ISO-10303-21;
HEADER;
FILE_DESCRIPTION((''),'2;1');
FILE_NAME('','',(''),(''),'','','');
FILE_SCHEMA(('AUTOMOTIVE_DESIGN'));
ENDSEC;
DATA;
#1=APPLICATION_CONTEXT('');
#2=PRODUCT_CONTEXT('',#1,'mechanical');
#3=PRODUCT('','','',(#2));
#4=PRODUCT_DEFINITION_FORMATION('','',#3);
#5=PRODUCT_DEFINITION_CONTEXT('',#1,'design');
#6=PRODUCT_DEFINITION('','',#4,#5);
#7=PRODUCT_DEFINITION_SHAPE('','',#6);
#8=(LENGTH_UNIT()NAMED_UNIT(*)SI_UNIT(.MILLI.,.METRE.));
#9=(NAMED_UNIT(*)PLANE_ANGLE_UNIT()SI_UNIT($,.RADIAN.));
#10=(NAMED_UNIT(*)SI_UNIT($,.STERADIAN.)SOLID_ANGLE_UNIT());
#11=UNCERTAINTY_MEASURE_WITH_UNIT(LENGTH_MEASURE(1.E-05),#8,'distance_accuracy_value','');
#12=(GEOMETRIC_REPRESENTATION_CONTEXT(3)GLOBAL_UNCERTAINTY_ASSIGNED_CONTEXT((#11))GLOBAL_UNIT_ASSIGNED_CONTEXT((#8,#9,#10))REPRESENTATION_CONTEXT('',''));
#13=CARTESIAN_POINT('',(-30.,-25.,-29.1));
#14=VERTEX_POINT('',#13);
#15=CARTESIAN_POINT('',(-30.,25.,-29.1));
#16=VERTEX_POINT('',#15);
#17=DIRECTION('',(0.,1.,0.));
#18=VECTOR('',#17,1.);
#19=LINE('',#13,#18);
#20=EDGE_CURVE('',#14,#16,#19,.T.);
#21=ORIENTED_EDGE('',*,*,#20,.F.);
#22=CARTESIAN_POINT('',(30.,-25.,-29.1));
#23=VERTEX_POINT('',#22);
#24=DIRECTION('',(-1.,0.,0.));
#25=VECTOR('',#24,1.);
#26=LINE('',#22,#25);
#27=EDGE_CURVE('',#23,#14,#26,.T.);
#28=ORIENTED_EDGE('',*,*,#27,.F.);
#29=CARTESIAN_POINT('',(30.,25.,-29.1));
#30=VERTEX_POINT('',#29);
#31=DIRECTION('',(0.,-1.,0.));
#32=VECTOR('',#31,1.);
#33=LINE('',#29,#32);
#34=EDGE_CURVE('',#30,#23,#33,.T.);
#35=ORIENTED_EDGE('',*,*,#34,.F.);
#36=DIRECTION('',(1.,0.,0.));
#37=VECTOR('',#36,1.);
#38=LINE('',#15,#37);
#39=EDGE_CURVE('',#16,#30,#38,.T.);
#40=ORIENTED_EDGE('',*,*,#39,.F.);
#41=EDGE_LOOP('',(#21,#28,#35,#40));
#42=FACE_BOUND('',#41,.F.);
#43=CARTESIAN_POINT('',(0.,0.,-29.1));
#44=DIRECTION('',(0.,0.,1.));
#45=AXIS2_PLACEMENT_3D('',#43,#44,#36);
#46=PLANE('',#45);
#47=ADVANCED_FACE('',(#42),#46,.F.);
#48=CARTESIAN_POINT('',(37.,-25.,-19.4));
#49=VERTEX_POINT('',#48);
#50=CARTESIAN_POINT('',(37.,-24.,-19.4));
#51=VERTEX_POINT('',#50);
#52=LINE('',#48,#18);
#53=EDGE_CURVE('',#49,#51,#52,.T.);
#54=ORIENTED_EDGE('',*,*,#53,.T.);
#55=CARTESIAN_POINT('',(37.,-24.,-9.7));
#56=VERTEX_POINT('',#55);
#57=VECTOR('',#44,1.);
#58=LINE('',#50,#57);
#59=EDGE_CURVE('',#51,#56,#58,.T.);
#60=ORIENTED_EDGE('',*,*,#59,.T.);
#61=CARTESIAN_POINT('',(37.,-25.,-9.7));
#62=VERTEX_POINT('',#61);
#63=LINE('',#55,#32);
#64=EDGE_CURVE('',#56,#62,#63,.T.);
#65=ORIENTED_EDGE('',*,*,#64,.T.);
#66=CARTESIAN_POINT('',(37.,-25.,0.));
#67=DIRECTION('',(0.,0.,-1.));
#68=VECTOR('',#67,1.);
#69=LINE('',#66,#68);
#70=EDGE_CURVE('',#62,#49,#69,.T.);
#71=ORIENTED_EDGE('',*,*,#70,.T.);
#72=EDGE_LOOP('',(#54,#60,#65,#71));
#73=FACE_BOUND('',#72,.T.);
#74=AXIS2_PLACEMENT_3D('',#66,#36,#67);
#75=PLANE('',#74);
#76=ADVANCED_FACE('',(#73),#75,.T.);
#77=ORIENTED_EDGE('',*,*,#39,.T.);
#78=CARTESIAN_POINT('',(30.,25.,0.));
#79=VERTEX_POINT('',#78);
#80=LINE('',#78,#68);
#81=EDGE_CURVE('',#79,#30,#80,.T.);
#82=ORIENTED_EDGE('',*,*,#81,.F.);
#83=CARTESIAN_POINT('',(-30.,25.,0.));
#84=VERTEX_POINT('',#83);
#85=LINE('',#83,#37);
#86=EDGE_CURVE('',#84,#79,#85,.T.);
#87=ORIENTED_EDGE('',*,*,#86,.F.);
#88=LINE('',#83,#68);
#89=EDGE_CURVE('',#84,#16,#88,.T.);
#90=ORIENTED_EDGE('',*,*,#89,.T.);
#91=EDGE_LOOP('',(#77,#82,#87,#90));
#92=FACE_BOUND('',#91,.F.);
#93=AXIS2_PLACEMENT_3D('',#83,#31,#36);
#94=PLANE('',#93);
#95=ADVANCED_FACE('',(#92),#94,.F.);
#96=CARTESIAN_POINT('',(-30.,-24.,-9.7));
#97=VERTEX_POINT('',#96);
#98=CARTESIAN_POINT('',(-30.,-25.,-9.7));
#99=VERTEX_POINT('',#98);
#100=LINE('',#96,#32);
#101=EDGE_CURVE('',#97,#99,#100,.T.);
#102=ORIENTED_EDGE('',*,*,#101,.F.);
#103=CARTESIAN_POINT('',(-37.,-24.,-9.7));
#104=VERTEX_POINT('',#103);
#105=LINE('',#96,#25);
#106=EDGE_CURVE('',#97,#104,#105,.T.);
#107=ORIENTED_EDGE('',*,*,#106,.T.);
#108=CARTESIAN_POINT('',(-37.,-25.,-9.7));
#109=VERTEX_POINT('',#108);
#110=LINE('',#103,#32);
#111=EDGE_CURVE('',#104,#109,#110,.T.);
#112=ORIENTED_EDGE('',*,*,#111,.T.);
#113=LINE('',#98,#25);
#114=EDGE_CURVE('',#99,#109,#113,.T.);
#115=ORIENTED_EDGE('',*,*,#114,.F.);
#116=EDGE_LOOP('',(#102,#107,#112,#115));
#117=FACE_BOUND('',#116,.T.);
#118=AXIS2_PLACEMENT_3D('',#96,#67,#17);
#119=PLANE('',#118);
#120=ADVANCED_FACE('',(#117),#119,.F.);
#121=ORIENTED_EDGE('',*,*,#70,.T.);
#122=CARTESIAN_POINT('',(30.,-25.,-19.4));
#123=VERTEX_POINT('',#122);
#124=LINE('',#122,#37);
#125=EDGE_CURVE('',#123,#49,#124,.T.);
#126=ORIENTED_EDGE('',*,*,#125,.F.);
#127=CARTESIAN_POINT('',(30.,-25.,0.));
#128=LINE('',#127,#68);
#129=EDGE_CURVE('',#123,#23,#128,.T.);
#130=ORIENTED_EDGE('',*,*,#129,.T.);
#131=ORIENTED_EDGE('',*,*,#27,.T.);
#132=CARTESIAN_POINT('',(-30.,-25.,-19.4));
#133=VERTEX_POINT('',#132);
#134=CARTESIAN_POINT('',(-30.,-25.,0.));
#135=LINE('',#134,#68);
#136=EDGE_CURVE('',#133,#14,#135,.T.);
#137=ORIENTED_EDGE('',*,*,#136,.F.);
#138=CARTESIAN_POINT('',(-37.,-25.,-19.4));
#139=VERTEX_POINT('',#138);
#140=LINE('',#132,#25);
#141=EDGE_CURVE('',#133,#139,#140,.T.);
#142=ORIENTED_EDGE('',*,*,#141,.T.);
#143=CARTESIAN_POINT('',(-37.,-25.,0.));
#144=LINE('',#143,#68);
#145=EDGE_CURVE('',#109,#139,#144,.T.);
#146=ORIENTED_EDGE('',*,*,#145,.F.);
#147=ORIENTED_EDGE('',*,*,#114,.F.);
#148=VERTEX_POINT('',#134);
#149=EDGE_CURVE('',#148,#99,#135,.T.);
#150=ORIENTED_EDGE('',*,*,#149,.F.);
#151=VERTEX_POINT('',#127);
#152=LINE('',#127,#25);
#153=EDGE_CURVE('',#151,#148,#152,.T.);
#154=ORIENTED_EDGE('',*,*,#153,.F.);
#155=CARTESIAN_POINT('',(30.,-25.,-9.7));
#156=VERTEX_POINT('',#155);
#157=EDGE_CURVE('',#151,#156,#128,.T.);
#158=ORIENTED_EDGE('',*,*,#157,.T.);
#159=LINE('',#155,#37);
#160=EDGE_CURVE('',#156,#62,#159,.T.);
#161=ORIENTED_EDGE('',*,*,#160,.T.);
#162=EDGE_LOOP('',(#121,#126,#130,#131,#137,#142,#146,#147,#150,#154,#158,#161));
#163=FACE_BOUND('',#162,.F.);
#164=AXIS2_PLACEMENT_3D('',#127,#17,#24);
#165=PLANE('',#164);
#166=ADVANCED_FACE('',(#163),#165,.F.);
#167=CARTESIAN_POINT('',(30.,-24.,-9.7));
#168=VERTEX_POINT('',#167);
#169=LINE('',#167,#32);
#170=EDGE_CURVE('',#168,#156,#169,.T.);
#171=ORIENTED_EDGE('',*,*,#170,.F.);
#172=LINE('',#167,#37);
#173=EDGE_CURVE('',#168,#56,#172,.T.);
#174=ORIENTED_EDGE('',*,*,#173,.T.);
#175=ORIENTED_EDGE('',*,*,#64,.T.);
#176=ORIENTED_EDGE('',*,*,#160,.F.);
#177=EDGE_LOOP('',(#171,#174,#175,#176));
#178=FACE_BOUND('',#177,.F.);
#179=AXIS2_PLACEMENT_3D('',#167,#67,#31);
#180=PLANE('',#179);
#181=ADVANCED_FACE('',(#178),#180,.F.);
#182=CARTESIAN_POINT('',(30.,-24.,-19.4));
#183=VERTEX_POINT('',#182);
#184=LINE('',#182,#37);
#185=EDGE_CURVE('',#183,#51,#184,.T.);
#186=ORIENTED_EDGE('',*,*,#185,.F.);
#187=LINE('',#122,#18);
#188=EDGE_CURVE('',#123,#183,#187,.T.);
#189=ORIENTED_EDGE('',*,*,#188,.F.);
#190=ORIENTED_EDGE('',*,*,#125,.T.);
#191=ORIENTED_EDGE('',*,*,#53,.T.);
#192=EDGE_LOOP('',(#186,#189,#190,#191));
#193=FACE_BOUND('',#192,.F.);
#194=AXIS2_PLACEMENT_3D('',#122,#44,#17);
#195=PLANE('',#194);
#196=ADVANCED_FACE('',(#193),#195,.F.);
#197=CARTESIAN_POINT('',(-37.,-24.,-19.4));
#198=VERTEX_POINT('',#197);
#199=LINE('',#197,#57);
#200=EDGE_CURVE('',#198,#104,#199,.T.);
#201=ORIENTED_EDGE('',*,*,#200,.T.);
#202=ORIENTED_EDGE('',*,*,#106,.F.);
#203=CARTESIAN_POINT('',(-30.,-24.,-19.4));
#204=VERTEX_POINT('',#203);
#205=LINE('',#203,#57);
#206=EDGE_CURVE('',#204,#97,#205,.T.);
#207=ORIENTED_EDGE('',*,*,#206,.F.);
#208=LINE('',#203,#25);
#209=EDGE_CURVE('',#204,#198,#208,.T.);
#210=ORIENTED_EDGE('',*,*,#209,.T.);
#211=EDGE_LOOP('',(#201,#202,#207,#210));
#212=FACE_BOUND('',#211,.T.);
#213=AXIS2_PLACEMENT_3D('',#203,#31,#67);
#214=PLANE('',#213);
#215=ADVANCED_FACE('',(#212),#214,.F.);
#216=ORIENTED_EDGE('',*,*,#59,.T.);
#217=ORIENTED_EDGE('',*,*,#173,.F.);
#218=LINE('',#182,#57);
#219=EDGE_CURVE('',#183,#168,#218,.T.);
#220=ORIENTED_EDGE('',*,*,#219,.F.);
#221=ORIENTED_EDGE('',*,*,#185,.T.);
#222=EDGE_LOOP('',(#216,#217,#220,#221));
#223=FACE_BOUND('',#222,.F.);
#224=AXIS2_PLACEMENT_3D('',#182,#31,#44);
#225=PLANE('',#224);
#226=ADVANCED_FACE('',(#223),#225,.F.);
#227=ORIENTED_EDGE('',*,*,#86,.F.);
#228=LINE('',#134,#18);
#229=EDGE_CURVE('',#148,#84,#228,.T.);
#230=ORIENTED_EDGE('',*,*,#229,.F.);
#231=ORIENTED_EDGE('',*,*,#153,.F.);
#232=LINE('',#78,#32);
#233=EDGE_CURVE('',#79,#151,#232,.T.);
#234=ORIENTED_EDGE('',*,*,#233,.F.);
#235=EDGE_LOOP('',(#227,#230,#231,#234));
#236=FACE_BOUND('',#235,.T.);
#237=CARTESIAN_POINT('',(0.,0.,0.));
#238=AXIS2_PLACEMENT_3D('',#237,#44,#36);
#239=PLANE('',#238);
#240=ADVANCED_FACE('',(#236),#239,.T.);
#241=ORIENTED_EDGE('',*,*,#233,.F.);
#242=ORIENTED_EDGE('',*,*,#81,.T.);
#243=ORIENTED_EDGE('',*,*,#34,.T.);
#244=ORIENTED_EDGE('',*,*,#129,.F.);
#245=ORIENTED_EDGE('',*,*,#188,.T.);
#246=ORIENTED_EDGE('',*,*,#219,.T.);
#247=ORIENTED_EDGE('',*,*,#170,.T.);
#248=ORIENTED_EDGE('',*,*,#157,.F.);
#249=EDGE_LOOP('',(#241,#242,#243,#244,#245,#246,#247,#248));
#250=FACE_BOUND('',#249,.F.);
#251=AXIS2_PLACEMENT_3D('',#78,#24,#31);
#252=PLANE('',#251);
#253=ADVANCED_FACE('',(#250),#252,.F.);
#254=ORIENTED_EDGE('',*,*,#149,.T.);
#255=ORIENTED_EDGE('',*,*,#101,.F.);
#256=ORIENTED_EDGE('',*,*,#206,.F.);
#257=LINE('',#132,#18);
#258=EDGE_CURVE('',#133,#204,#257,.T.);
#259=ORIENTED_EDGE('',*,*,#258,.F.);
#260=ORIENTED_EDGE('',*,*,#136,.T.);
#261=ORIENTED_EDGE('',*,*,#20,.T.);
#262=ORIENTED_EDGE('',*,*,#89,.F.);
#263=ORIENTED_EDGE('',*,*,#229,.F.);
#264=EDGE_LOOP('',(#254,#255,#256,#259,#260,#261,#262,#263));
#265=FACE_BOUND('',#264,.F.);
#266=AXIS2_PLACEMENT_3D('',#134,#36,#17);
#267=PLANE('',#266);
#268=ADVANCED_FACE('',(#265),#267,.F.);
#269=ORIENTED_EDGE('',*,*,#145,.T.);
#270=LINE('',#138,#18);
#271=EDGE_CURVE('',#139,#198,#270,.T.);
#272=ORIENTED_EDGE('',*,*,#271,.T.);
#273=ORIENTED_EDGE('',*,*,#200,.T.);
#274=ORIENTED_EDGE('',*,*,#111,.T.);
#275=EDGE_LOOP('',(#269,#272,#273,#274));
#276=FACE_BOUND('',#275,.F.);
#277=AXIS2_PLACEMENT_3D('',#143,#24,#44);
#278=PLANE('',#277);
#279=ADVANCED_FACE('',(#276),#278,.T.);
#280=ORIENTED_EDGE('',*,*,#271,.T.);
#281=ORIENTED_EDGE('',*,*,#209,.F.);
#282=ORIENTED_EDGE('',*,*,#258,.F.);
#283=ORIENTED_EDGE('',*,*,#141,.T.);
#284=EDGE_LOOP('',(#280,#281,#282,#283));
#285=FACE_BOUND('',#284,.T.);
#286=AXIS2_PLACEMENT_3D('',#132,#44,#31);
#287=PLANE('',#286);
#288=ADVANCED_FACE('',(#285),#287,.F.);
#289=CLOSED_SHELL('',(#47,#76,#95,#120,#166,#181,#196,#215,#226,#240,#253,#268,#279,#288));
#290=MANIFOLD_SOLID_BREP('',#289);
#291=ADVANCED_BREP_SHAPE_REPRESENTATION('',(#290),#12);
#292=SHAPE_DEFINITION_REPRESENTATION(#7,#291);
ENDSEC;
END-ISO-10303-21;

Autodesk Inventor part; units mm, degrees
ref_plane "YZ Plane" through (0, 0, 0) normal (1, 0, 0) x (0, 1, 0)
ref_plane "XZ Plane" through (0, 0, 0) normal (0, 1, 0) x (-1, 0, 0)
ref_plane "XY Plane" through (0, 0, 0) normal (0, 0, 1) x (1, 0, 0)
sketch "Skizze1" plane through (0, 0, 0) normal (0, 0, 1) x (1, 0, 0)
  line L0 (30, -25) -> (-30, -25)
  line L1 (-30, -25) -> (-30, 25)
  line L2 (-30, 25) -> (30, 25)
  line L3 (30, 25) -> (30, -25)
  point P0 (0, 0)
  point P1 (-30, 0)
  point P2 (0, 25)
  dimension "d0" = 50
  dimension "d1" = 60
extrude "Extrusion1" add sketch "Skizze1" against normal blind 29.1
sketch "Skizze4" plane through (30, -25, 0) normal (1, 0, 0) x (0, 0, -1)
  line L0 (0, 0) -> (0, 50) projected
  line L1 (0, 0) -> (29.1, 0) projected
  line L2 (29.1, 0) -> (19.4, 0)
  line L3 (9.7, 0) -> (19.4, 0)
  line L4 (19.4, 0) -> (19.4, 1)
  line L5 (19.4, 1) -> (9.7, 1)
  line L6 (9.7, 1) -> (9.7, 0)
  point P0 (0, 25)
extrude "Extrusion3" add sketch "Skizze4" along normal blind 7
mirror "Spiegeln1" about plane through (0, 0, 0) normal (1, 0, 0) of "Extrusion3"
sketch "Skizze5" plane through (30, -24, -9.7) normal (0, 1, 0) x (1, 0, 0)
  line L0 (7, 0) -> (7, 9.7) projected
  line L1 (0, -9.7) -> (0, 19.4) projected
  line L2 (0, -9.7) -> (0, 0) projected
  line L3 (-60, 9.7) -> (-60, 0) projected
  line L4 (-60, 9.7) -> (-67, 9.7) projected
  line L5 (-67, 9.7) -> (-67, 0) projected
  point P0 (-30, -9.7)
  point P1 (3.5, 4.7412)
  point P2 (-63.5, 4.85)
sketch "Skizze6" plane through (-30, 25, 0) normal (0, 1, 0) x (1, 0, 0)
  line L0 (22.3981, 26.7886) -> (69.5939, 26.7886) construction
  line L1 (69.5939, 26.7886) -> (69.5939, 22.4356) construction
  line L2 (69.5939, 22.4356) -> (22.3981, 22.4356) construction
  line L3 (22.3981, 22.4356) -> (22.3981, 26.7886) construction
  point P0 (30, 0)
properties part number "Akku1" material "Gold"
